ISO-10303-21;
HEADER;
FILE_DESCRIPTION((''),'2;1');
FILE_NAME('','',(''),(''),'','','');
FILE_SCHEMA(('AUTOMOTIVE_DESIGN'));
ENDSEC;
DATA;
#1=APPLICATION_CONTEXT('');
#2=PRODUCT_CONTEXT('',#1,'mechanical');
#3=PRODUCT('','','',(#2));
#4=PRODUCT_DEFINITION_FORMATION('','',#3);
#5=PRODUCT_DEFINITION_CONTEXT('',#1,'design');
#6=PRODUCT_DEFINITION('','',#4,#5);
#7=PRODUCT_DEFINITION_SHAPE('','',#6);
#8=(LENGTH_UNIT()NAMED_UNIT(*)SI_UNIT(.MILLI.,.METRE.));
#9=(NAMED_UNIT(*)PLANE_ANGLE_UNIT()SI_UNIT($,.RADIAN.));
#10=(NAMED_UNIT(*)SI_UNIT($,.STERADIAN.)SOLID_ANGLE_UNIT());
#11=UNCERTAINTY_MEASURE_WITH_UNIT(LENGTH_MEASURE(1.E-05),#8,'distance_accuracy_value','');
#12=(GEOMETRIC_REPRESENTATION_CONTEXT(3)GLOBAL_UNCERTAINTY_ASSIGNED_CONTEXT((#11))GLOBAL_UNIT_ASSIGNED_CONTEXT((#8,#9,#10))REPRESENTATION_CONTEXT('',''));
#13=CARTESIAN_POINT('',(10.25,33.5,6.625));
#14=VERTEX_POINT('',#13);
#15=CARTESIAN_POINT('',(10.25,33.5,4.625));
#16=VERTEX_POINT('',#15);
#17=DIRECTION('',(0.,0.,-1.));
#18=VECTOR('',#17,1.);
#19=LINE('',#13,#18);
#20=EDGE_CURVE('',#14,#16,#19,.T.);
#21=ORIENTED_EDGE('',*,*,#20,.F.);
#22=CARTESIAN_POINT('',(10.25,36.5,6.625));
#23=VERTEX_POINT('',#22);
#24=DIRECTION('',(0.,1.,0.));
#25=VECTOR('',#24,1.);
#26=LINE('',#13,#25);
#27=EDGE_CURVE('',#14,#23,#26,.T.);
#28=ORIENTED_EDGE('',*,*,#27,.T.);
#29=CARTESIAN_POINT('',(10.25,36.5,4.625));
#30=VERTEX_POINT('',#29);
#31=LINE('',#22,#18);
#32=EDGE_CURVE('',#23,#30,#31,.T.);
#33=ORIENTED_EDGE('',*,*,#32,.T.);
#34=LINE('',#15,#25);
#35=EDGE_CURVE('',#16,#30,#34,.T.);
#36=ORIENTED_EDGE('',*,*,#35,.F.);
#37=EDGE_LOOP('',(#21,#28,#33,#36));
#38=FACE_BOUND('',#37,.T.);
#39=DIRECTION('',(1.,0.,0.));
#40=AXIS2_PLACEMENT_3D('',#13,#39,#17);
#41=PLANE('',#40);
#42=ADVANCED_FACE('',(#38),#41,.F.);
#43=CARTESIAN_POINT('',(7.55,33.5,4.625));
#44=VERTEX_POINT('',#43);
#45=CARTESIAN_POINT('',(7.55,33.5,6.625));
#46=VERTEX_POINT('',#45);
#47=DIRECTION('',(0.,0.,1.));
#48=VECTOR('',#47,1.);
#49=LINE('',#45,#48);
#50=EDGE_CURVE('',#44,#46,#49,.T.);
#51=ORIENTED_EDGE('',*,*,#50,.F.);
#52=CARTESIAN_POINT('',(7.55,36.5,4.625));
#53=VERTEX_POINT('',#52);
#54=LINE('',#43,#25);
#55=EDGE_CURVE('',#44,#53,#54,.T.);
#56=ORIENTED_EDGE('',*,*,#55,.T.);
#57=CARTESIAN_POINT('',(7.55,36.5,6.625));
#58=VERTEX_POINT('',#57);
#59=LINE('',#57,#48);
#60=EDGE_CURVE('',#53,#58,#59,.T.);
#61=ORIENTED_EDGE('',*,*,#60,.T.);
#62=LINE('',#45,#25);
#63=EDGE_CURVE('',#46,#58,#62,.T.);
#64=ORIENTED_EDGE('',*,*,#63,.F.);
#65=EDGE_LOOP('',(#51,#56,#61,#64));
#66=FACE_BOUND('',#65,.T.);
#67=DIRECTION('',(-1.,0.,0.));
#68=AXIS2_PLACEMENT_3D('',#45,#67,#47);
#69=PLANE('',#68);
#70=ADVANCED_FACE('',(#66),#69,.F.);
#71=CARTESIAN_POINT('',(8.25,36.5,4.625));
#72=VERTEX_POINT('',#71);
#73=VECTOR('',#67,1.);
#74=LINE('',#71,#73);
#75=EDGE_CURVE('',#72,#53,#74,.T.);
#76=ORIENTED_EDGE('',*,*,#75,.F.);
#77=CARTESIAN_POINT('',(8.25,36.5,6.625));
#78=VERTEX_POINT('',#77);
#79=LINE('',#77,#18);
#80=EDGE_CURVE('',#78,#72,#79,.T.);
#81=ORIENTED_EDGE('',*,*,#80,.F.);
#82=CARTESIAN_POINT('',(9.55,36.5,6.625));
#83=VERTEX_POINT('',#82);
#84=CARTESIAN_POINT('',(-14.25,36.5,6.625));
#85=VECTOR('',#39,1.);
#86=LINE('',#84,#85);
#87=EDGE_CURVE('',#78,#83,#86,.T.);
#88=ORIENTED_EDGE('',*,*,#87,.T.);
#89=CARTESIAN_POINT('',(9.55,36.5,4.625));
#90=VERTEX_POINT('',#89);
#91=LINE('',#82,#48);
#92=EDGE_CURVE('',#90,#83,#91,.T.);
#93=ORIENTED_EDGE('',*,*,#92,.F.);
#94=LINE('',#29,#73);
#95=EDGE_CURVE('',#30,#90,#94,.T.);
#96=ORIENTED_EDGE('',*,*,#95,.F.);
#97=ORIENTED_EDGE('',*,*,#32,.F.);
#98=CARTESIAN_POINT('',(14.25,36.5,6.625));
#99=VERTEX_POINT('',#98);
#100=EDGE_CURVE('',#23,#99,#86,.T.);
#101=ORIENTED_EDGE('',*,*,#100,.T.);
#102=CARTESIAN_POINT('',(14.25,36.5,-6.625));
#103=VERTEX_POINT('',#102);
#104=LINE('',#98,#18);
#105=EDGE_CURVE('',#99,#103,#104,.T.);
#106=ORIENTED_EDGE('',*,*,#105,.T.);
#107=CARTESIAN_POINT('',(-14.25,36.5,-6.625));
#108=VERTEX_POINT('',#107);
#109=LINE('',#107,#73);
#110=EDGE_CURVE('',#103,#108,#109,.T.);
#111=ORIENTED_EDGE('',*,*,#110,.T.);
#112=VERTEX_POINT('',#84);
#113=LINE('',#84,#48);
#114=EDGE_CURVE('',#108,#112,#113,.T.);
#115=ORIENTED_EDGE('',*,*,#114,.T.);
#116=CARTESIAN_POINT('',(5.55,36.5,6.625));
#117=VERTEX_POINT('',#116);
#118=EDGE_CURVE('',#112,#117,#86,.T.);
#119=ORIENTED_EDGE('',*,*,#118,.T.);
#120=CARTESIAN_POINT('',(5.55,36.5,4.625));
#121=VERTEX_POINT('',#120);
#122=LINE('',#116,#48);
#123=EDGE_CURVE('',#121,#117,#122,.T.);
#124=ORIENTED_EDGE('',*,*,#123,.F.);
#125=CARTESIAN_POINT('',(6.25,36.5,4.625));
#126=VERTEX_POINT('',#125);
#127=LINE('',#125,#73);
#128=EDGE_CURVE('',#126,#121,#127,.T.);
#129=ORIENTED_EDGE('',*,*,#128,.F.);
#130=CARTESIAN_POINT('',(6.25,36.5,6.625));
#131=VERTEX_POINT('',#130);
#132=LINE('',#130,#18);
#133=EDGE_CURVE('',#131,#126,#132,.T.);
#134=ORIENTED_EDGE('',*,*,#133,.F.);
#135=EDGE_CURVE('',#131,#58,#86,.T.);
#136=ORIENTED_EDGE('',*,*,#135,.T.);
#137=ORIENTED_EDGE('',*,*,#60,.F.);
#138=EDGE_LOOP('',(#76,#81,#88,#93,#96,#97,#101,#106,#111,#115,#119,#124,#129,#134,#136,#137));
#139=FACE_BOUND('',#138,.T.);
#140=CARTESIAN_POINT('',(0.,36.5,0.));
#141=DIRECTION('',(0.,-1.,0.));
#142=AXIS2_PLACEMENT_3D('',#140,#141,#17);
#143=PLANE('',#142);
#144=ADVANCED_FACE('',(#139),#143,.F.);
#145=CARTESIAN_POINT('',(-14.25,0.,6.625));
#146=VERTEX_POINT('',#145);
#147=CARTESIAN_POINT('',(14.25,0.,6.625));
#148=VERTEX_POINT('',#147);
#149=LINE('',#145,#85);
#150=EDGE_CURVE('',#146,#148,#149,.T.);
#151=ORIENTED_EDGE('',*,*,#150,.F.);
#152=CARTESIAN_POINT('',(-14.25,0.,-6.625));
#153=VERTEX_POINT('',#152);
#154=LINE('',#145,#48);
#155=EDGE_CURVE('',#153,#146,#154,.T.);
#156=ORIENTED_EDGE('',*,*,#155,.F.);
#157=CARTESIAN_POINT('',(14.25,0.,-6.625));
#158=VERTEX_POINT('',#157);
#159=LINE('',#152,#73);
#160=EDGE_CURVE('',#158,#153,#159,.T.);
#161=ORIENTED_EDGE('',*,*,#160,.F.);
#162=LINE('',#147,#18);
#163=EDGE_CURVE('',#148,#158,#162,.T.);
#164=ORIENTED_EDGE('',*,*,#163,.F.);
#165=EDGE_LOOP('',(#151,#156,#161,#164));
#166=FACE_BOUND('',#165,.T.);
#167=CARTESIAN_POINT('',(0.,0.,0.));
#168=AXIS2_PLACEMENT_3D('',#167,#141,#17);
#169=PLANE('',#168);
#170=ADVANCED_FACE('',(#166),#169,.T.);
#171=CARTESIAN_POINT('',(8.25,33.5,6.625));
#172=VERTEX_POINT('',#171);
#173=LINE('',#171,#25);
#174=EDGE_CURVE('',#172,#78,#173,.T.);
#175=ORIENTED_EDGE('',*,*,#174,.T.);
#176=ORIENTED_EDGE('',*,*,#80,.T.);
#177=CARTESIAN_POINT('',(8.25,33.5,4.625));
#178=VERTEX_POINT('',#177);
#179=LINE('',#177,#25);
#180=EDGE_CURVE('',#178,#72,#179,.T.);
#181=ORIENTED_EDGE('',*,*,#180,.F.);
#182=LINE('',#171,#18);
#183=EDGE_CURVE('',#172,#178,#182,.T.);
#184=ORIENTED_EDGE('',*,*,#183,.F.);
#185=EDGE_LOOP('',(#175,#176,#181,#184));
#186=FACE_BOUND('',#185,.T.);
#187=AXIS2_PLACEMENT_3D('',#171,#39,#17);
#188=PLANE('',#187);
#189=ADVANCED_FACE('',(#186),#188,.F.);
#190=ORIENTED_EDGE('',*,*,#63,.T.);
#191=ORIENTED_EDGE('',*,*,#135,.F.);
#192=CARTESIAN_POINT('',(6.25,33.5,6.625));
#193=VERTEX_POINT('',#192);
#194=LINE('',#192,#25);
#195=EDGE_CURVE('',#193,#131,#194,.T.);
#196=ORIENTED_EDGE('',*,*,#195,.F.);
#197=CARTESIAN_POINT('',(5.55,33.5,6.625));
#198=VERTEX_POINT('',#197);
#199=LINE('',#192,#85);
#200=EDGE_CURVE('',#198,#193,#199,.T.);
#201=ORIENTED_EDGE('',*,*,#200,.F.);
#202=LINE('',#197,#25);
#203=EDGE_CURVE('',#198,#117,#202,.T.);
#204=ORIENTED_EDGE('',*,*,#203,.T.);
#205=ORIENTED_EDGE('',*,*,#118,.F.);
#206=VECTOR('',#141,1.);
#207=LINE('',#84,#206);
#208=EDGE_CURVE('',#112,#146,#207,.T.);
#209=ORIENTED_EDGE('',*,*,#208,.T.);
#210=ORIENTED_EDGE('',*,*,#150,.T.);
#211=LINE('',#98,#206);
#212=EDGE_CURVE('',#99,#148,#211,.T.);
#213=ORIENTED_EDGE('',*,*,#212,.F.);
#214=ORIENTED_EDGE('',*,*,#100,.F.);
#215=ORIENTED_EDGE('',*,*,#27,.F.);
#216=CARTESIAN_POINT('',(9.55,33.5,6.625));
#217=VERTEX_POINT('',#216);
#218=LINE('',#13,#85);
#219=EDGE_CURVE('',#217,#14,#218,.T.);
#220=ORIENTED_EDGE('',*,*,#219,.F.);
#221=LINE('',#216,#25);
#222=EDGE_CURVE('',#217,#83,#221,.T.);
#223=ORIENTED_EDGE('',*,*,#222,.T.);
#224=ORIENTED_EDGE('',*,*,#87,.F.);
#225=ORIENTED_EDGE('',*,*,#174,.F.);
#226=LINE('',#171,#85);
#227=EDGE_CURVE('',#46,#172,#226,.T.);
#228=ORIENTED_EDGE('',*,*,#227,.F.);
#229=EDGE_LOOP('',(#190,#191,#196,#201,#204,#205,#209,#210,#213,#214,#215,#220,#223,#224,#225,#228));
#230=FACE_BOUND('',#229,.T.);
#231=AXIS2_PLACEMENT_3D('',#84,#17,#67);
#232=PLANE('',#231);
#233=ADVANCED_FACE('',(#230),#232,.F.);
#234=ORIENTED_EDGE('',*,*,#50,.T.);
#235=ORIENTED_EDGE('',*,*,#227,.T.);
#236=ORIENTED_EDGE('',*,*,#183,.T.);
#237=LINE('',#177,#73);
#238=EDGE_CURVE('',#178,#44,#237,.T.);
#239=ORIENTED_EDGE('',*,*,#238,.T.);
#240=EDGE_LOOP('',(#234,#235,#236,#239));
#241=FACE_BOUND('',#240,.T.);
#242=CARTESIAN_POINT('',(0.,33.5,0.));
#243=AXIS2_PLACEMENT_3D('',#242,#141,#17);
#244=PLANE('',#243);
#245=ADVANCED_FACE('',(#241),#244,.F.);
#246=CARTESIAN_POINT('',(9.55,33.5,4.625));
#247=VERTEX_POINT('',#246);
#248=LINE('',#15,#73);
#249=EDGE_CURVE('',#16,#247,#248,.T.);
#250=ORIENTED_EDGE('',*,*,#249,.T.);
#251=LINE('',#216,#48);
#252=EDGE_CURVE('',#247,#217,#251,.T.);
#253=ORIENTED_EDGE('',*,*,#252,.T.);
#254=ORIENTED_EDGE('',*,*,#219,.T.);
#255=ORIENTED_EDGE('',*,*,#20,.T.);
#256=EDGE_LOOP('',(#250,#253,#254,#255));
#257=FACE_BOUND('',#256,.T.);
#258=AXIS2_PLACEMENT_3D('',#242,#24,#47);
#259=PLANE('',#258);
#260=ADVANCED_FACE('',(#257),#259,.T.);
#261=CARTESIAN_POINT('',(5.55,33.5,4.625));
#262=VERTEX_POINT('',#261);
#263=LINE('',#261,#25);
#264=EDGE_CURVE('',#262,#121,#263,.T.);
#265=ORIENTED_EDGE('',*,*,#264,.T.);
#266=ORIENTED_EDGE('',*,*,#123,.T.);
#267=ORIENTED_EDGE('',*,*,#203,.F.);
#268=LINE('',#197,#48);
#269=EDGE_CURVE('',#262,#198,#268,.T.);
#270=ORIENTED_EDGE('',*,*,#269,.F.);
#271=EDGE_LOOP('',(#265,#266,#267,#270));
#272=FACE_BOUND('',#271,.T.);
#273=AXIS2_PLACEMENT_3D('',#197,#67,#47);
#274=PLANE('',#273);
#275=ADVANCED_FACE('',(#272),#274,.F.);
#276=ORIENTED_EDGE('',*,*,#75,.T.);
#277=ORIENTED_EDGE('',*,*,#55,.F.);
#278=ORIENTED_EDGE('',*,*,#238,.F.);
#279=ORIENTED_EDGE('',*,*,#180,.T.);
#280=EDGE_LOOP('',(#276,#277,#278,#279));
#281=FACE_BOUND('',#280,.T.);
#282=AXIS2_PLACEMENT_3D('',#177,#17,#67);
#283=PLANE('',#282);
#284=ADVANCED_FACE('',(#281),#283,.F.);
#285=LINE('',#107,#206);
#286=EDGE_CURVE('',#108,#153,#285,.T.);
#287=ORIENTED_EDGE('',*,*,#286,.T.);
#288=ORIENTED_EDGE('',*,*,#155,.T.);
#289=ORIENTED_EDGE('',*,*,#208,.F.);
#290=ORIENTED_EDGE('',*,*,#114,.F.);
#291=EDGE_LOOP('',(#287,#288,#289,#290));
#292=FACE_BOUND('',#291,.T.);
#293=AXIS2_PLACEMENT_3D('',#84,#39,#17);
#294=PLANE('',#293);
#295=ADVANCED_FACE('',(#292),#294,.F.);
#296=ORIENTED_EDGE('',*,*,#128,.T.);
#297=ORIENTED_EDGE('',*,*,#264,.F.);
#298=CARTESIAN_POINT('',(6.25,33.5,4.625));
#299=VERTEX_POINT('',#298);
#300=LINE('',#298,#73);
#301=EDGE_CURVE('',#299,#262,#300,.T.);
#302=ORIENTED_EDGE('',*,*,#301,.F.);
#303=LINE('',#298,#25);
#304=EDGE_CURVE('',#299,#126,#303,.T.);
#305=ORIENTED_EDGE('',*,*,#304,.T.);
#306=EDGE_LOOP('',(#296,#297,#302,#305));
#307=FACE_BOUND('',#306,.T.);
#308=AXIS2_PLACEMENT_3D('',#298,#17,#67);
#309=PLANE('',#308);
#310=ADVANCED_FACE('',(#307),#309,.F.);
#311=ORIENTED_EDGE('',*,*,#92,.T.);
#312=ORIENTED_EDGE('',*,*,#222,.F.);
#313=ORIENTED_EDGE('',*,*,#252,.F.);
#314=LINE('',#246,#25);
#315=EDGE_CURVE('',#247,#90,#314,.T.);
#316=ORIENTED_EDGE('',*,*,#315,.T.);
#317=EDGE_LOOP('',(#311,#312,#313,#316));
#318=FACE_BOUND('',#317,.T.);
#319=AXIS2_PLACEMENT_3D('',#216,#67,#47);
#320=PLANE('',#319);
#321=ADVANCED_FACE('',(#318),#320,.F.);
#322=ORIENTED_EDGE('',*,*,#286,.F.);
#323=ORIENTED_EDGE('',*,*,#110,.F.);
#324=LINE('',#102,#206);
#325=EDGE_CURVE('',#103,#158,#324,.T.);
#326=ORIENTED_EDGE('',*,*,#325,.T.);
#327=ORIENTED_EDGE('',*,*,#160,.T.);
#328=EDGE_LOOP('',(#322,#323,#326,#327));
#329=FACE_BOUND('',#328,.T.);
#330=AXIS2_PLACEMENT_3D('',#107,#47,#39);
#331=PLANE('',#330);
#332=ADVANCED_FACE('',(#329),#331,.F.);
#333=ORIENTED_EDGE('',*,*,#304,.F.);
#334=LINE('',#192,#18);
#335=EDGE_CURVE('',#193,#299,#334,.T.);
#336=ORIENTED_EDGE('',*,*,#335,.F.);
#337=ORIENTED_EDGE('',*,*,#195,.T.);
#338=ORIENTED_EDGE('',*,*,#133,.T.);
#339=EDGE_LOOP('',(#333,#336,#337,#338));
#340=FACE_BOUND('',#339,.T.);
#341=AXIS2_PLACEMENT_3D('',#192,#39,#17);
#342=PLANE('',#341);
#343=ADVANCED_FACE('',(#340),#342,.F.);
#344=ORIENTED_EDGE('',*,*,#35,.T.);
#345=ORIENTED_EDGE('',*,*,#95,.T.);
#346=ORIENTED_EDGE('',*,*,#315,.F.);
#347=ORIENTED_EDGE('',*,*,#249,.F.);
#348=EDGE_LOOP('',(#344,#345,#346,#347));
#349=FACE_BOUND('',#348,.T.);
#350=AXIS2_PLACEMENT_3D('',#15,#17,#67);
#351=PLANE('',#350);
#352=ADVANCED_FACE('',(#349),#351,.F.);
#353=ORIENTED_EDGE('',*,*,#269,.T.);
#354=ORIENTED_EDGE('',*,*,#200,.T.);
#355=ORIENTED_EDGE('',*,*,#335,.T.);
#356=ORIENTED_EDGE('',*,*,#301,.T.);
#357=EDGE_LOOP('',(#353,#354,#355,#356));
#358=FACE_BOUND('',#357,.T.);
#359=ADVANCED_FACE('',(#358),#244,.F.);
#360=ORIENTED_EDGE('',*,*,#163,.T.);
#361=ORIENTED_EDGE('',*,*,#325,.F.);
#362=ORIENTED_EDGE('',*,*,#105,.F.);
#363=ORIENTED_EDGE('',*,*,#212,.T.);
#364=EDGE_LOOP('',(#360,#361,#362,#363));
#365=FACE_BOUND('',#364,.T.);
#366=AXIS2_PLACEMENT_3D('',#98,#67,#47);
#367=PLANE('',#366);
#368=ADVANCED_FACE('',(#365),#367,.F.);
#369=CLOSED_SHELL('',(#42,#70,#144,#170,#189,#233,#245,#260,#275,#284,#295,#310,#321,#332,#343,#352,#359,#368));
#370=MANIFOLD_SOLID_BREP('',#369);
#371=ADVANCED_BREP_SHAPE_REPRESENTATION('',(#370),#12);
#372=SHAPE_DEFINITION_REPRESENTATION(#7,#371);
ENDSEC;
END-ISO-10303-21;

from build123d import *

# Parameters (mm, degrees)
SKETCH1_W           = 28.5
SKETCH1_H           = 13.25
BOSS_EXTRUDE1_DEPTH = 36.5
SKETCH2_W           = 0.7
SKETCH2_H           = 2
CUT_EXTRUDE1_DEPTH  = 3


with BuildPart() as part:
    # Sketch1 → Boss-Extrude1 (new body)
    with BuildSketch(Plane(origin=(0, 0, 0), x_dir=(1, 0, 0), z_dir=(0, 1, 0))):
        Rectangle(SKETCH1_W, SKETCH1_H)
    extrude(amount=BOSS_EXTRUDE1_DEPTH)

    # Sketch2 → Cut-Extrude1 (cut)
    with BuildSketch(Plane(origin=(0, 36.5, 0), x_dir=(1, 0, 0), z_dir=(0, 1, 0))):
        with Locations((9.9, -5.625)):
            Rectangle(SKETCH2_W, SKETCH2_H)
        with Locations((7.9, -5.625)):
            Rectangle(SKETCH2_W, SKETCH2_H)
        with Locations((5.9, -5.625)):
            Rectangle(SKETCH2_W, SKETCH2_H)
    extrude(amount=-CUT_EXTRUDE1_DEPTH, mode=Mode.SUBTRACT)


solid = part.part
